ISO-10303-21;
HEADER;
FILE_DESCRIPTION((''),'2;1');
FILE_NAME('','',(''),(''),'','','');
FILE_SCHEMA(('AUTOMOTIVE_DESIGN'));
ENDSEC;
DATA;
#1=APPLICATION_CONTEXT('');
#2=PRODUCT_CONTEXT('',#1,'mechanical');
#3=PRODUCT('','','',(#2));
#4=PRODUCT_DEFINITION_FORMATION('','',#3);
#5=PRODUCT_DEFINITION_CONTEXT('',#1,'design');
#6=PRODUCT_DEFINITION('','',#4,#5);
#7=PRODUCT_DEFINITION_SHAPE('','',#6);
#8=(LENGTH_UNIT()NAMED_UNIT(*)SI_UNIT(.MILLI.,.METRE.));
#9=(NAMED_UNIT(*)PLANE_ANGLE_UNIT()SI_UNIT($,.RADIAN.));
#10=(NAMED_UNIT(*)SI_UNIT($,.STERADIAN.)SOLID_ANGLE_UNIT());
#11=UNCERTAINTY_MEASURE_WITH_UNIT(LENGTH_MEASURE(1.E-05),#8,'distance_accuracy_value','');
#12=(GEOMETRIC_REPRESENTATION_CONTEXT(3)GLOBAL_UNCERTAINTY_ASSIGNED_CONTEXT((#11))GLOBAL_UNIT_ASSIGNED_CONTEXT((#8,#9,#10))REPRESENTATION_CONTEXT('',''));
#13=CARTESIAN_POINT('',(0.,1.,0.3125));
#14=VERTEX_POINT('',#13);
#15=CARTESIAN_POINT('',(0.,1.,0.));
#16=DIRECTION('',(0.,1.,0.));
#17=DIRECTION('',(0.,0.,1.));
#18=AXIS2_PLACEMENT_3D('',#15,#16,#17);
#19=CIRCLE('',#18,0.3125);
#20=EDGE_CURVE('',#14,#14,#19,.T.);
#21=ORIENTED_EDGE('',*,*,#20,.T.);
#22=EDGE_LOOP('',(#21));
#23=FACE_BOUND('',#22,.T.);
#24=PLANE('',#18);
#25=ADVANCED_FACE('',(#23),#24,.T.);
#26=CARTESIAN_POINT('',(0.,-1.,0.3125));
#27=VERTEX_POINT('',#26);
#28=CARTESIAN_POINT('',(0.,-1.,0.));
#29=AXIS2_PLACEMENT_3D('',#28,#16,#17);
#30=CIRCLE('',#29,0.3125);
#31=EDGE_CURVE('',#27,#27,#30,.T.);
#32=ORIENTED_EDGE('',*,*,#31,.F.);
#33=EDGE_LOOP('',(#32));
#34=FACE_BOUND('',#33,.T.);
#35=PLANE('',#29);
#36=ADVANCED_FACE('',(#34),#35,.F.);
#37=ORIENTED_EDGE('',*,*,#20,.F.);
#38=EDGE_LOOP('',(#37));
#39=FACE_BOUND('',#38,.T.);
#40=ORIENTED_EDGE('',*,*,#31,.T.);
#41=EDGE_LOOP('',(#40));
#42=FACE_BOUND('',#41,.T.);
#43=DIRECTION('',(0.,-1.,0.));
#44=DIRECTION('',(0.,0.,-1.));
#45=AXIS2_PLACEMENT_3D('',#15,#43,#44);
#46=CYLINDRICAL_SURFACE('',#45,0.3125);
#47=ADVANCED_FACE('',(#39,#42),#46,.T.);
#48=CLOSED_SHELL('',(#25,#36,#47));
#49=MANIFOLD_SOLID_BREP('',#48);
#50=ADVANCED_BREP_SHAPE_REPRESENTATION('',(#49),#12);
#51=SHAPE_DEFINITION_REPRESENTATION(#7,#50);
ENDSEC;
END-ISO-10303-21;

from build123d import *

# Parameters (mm, degrees)
SKETCH1_R           = 0.3125
BOSS_EXTRUDE1_DEPTH = 1


with BuildPart() as part:
    # Sketch1 → Boss-Extrude1 (new body, symmetric)
    with BuildSketch(Plane(origin=(0, 0, 0), x_dir=(1, 0, 0), z_dir=(0, 1, 0))):
        Circle(SKETCH1_R)
    extrude(amount=BOSS_EXTRUDE1_DEPTH, both=True)


solid = part.part
